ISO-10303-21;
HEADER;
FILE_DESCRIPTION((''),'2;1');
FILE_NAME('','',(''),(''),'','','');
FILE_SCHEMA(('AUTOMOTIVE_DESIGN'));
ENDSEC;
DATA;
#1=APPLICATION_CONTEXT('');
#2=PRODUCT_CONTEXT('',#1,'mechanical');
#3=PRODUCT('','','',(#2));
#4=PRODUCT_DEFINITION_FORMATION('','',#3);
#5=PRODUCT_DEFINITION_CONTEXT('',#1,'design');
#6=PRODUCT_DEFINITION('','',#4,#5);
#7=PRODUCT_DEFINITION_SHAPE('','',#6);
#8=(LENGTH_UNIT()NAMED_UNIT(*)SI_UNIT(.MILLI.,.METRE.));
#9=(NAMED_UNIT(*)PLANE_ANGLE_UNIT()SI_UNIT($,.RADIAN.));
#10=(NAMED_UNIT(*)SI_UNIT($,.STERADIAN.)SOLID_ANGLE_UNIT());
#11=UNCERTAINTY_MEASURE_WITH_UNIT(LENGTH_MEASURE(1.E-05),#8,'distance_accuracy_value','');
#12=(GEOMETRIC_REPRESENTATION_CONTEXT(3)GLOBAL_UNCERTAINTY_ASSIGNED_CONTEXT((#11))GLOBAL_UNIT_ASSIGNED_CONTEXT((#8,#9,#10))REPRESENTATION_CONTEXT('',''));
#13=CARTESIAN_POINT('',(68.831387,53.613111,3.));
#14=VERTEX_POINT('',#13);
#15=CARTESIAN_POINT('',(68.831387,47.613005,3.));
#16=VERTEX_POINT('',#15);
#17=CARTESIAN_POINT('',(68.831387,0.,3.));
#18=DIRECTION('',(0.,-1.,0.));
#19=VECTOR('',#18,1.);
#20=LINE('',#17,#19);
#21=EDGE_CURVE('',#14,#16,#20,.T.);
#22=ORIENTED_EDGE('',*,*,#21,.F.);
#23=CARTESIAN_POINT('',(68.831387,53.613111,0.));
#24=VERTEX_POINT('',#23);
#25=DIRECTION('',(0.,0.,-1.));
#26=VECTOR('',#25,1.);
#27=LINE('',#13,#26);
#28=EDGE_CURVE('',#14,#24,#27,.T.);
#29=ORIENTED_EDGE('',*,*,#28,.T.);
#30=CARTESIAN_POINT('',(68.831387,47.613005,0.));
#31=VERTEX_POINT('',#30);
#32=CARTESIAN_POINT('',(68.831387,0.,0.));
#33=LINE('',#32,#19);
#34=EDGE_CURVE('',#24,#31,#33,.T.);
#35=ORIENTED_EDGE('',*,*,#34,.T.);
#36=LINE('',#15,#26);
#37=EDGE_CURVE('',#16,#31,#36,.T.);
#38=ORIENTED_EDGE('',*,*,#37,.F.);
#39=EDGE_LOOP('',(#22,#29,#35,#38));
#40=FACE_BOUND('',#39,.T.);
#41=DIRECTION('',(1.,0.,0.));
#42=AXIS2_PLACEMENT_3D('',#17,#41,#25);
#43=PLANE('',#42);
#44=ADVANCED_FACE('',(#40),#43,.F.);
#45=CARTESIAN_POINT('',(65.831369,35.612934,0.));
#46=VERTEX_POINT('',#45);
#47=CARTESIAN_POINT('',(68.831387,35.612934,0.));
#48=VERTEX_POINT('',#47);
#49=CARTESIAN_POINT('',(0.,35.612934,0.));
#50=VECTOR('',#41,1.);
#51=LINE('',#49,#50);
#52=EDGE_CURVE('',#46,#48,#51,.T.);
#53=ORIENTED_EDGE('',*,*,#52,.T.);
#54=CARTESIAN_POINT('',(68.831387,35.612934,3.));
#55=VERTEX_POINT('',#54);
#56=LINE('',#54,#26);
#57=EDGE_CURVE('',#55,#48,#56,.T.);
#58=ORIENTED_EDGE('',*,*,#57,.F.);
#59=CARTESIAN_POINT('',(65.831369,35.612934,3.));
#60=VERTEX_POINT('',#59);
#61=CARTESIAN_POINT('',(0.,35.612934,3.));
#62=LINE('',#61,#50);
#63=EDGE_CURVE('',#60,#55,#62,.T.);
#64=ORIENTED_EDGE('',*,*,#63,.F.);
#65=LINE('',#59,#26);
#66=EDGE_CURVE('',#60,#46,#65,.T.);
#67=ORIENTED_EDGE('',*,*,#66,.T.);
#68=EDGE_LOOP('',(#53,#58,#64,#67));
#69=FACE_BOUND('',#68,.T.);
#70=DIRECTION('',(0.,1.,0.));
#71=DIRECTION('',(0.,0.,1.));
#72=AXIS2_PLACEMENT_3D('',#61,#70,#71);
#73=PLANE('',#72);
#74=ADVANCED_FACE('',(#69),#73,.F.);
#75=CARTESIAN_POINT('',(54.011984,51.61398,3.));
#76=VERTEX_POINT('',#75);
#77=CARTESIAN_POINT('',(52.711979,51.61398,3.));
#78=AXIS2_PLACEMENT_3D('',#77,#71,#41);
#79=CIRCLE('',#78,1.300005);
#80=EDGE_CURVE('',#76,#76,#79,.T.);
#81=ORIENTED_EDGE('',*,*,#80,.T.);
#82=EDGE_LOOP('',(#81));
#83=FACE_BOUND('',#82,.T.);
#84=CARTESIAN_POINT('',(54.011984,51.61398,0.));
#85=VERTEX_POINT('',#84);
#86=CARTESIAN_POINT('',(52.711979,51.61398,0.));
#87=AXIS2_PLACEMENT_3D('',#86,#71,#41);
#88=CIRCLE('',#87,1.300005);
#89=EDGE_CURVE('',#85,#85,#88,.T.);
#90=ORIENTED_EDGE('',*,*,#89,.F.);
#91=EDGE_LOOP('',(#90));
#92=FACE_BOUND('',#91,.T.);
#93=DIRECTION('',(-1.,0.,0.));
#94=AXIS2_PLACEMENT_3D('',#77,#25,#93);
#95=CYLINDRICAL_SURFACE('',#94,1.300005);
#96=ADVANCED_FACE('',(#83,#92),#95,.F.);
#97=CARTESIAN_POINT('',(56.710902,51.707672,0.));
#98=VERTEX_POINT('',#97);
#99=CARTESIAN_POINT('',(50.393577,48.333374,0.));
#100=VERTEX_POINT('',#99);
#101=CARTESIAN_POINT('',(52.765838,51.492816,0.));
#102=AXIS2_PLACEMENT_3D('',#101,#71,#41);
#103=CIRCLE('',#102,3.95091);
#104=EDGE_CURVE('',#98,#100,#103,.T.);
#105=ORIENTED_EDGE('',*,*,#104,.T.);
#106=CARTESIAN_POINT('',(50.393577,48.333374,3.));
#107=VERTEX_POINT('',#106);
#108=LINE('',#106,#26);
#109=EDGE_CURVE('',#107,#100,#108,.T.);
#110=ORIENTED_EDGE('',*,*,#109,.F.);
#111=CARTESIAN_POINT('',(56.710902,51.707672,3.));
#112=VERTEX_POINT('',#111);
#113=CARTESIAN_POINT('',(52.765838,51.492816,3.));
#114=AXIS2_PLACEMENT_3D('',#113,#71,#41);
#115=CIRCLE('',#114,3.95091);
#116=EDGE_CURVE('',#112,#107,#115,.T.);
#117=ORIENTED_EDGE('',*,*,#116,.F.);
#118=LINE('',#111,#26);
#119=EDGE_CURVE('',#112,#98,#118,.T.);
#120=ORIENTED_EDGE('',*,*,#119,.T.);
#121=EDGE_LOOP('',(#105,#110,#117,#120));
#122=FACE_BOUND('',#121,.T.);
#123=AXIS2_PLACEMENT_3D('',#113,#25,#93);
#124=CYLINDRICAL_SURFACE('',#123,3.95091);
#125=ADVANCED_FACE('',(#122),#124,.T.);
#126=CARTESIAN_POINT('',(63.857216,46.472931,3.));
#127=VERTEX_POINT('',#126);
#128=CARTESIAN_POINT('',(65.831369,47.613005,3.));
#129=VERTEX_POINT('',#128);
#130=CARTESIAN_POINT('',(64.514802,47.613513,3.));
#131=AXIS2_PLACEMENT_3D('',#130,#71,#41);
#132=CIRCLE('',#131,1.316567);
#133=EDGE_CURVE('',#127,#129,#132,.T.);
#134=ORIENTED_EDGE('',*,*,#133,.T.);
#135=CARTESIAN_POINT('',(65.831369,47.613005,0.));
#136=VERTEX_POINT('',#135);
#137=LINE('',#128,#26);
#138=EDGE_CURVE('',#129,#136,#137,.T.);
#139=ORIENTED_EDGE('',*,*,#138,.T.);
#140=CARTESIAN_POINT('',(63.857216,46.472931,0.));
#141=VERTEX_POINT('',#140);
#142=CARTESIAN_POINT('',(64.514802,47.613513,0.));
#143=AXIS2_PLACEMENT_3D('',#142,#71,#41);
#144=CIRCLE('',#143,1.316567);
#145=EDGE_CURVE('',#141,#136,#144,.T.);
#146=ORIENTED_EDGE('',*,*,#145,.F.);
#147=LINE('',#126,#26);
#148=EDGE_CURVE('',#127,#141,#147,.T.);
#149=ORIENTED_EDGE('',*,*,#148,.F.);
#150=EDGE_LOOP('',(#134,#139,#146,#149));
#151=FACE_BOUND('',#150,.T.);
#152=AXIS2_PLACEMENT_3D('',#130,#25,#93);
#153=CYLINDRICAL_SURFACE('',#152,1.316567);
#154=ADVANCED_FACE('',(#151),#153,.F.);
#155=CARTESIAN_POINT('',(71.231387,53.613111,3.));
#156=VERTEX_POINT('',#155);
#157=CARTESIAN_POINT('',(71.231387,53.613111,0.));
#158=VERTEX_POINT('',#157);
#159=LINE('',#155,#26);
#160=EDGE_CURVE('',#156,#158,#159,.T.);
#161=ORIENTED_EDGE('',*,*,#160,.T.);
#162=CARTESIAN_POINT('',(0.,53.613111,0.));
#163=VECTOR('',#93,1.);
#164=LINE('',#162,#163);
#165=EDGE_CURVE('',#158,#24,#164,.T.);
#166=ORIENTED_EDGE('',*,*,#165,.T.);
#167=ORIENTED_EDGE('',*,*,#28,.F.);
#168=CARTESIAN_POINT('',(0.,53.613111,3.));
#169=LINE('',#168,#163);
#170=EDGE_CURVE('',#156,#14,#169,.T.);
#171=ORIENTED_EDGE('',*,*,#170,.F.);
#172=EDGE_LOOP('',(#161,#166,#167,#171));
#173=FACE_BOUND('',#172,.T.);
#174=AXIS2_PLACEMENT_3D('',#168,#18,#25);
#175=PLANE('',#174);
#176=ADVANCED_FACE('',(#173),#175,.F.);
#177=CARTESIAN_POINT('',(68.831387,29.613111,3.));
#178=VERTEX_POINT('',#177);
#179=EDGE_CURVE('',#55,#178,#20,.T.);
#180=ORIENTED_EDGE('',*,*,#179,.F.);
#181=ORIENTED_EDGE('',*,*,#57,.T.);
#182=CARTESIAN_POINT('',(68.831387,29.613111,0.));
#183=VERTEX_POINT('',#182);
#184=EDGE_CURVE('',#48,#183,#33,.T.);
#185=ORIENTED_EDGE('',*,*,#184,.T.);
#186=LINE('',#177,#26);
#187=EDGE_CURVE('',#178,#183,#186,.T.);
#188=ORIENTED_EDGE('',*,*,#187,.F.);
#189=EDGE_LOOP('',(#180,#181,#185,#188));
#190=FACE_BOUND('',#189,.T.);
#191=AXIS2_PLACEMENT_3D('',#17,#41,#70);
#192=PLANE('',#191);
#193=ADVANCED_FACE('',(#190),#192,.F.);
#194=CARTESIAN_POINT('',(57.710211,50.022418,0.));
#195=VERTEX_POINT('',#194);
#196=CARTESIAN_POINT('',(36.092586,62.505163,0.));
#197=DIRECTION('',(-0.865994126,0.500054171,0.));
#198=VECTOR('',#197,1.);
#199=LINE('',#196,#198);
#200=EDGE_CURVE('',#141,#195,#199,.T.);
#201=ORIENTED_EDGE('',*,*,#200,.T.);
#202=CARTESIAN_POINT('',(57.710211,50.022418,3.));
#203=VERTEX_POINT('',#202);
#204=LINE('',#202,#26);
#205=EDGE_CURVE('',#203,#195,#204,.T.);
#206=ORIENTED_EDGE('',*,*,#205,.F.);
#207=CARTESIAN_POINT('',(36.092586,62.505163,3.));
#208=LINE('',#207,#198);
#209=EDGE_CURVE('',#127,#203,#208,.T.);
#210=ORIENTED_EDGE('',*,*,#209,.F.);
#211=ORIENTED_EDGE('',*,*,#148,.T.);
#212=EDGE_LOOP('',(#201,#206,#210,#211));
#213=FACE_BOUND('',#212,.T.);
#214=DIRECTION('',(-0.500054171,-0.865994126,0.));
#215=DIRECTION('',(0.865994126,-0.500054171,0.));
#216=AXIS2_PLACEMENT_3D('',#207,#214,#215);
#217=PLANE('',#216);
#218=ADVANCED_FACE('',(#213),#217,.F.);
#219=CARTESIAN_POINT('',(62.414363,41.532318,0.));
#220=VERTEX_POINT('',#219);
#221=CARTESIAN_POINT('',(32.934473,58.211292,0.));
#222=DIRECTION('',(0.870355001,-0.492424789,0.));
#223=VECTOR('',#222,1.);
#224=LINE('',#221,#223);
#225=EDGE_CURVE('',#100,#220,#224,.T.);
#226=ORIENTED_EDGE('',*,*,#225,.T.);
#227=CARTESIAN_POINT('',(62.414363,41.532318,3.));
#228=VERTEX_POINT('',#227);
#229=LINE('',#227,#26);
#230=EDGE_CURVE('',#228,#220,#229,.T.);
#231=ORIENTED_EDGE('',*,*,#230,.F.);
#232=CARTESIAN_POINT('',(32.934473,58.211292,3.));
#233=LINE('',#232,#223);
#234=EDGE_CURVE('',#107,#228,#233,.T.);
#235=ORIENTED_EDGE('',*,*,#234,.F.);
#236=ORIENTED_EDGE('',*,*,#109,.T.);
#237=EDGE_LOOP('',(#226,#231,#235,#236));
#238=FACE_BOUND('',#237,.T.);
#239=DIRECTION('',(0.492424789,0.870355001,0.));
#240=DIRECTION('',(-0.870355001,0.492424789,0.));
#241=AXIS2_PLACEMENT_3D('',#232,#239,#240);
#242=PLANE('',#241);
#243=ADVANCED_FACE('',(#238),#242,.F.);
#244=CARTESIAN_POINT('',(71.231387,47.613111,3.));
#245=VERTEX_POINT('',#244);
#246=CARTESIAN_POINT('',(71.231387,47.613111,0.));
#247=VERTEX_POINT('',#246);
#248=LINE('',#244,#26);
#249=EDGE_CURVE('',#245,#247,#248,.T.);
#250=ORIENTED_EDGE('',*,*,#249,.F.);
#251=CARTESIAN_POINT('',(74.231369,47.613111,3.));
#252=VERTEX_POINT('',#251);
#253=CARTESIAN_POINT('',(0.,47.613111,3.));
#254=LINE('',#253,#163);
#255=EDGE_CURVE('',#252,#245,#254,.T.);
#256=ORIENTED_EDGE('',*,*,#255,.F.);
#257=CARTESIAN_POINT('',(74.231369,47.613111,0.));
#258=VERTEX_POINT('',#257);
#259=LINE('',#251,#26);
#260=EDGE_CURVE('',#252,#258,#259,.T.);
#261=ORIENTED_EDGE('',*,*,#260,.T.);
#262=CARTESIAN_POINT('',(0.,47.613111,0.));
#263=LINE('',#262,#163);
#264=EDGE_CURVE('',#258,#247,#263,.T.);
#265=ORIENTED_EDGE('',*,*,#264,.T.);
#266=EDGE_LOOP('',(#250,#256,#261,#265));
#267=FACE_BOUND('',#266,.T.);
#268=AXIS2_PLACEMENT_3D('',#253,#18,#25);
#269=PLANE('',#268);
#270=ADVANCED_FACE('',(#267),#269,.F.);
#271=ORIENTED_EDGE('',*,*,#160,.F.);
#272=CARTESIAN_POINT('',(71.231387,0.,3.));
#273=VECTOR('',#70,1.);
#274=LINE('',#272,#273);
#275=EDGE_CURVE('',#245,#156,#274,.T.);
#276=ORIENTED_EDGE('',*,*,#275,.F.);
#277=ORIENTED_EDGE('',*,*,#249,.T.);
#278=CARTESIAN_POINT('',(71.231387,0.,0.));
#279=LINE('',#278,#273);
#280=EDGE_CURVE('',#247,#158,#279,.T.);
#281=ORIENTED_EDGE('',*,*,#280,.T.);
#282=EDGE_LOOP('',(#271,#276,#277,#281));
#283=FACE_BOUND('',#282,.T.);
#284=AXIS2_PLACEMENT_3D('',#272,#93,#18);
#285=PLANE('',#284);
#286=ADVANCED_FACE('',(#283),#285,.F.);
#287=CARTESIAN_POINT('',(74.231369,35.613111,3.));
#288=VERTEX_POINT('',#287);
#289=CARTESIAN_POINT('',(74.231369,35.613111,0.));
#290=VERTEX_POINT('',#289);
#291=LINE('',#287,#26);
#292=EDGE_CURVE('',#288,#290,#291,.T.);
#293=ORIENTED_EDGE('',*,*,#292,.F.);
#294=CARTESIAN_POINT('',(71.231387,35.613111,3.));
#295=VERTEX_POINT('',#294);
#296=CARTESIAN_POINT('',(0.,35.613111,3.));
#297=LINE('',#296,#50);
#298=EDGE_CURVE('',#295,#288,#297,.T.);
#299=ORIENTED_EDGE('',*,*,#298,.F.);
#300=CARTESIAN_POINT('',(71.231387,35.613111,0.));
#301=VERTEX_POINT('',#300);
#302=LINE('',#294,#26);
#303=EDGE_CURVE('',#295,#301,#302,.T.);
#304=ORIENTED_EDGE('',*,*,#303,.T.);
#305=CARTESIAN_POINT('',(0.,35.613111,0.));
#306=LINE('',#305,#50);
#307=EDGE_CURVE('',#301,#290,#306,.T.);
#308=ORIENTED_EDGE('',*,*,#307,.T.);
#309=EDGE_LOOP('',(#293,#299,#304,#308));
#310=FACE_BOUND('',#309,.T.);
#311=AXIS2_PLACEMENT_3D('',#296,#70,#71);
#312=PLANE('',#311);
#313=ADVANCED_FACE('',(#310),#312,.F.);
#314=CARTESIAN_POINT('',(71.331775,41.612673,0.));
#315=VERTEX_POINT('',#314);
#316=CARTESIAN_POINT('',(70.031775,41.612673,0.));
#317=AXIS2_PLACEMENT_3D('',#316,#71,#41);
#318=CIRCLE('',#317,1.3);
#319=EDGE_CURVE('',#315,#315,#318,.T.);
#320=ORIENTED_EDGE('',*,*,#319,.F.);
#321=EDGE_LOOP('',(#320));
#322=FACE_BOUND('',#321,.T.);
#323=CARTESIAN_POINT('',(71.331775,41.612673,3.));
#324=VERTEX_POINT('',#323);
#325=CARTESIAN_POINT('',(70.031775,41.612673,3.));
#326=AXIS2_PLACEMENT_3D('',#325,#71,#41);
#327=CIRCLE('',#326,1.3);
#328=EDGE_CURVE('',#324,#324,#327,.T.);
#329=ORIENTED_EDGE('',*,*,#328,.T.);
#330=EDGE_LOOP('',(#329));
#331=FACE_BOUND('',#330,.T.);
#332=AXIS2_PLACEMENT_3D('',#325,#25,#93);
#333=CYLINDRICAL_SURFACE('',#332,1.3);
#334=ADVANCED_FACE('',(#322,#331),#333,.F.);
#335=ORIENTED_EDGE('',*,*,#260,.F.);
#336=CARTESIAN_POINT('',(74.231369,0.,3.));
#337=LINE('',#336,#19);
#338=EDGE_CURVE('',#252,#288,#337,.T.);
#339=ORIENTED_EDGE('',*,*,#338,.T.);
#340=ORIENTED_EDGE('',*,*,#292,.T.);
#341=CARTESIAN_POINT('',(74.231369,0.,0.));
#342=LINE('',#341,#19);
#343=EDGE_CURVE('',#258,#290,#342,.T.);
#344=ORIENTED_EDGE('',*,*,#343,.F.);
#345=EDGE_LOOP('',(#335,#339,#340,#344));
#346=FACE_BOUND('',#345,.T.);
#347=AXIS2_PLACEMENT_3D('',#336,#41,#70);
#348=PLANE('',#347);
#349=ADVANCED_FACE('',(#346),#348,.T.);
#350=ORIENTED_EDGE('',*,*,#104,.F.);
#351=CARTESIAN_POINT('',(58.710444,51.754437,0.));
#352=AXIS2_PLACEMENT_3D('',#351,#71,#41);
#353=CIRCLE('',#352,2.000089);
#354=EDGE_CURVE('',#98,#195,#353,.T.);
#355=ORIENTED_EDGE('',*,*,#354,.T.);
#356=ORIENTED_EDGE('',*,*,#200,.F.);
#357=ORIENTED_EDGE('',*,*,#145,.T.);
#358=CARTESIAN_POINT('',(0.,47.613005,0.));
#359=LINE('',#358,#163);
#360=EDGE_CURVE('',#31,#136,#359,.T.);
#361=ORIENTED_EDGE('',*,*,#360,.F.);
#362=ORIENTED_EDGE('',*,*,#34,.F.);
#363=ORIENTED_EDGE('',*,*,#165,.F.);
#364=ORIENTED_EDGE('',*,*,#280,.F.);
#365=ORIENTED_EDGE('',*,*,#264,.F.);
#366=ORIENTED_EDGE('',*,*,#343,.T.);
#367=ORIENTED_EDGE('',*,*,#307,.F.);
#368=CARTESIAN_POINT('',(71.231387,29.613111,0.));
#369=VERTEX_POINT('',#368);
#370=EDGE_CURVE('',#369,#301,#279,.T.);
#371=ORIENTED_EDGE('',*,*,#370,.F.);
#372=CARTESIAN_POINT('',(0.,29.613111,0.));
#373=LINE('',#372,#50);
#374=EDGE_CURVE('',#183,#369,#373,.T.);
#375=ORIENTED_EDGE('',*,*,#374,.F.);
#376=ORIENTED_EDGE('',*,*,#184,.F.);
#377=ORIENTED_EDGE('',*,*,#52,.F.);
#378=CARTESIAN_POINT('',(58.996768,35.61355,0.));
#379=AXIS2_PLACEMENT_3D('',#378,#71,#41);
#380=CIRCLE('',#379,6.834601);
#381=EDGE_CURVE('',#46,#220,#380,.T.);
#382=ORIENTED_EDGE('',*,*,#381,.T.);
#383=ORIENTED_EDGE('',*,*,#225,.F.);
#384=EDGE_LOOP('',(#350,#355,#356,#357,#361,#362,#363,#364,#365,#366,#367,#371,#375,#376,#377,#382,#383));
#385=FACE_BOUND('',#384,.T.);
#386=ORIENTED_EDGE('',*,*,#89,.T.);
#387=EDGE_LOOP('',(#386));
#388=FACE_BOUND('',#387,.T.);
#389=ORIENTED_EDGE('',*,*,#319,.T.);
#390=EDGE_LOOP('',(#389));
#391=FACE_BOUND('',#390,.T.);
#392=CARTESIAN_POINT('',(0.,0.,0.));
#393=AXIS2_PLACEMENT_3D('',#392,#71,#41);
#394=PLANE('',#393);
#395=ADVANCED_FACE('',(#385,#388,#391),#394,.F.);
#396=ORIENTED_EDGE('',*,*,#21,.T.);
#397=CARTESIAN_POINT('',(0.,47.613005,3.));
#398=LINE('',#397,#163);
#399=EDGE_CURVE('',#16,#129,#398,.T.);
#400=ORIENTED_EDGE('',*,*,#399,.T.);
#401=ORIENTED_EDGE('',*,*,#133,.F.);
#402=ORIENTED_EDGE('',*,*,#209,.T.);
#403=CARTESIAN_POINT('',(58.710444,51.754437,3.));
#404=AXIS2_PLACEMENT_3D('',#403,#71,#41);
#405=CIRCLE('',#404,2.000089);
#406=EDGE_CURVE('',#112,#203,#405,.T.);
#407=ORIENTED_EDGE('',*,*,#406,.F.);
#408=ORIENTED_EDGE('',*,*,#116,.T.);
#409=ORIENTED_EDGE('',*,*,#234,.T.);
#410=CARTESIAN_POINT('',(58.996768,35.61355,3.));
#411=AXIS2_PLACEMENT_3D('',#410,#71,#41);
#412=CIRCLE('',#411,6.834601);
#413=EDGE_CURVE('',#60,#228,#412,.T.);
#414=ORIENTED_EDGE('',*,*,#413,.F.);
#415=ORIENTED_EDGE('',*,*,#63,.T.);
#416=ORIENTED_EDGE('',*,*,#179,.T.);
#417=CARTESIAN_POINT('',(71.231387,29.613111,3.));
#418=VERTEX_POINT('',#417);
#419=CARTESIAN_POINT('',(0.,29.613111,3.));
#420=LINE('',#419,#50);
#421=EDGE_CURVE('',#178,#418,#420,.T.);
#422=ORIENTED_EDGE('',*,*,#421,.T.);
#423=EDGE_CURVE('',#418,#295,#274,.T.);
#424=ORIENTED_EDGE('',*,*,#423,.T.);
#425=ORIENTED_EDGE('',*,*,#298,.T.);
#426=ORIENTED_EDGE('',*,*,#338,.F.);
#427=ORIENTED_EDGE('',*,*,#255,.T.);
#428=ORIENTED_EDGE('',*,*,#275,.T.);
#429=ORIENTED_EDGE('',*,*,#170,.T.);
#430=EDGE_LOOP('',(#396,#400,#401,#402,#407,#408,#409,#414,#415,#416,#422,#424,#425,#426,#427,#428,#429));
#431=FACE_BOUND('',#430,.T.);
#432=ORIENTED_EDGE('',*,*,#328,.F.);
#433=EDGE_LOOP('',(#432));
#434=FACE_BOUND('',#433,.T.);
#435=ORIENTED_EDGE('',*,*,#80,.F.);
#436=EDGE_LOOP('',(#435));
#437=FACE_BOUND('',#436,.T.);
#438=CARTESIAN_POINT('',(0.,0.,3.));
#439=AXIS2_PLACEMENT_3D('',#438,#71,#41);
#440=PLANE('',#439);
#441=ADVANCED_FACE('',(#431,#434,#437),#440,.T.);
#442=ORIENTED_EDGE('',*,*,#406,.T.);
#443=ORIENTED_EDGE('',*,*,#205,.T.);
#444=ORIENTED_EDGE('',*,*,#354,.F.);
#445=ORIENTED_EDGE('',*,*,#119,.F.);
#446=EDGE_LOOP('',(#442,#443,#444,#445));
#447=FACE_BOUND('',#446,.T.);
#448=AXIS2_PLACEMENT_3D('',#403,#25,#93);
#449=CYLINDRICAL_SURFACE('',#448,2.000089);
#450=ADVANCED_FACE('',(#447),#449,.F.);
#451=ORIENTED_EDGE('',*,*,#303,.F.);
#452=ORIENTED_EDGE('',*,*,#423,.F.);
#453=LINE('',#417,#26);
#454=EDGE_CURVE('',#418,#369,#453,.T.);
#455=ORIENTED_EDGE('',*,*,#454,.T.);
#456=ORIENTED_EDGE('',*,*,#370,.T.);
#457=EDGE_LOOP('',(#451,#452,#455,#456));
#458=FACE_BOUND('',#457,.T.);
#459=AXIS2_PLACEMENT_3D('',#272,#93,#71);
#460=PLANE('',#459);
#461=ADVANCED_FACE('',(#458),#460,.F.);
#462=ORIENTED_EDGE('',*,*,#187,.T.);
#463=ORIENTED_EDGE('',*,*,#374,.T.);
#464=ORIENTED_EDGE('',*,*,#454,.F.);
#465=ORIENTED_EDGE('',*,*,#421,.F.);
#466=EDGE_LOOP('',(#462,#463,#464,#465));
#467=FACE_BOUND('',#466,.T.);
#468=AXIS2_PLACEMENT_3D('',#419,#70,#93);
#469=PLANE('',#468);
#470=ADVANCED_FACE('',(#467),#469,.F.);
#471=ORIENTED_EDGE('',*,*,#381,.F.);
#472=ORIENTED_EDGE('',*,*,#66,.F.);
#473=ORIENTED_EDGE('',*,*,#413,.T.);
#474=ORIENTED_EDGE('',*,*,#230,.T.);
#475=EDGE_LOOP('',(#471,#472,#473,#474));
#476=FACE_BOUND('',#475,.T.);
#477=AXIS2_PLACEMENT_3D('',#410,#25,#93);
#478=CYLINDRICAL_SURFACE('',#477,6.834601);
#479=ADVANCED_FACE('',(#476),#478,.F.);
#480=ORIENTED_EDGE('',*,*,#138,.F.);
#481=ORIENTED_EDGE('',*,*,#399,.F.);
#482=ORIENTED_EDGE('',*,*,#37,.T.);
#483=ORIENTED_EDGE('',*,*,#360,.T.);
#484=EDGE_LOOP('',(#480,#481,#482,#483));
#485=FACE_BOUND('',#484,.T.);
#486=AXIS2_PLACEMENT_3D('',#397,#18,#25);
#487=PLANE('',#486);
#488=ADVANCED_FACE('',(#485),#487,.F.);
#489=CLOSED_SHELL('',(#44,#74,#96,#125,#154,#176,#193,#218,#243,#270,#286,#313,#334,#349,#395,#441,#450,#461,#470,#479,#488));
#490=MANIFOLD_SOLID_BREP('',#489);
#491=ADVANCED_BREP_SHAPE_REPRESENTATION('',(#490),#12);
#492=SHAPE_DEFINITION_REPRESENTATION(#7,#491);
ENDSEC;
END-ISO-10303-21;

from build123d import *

# Parameters (mm, degrees)
MODEL_R             = 1.300004804
MODEL_R_2           = 1.3
BOSS_EXTRUDE1_DEPTH = 3


with BuildPart() as part:
    # Model → Boss-Extrude1 (new body)
    with BuildSketch(Plane.XY):
        with BuildLine():
            ThreePointArc((63.8572156, 46.472930832), (65.173213816, 46.473407151), (65.83136885, 47.613005099))
            Line((65.83136885, 47.613005099), (68.83138654, 47.613005099))
            Line((68.83138654, 47.613005099), (68.83138654, 53.61311115))
            Line((68.83138654, 53.61311115), (71.231386535, 53.61311115))
            Line((71.231386535, 53.61311115), (71.231386535, 47.61311115))
            Line((71.231386535, 47.61311115), (74.231368849, 47.61311115))
            Line((74.231368849, 47.61311115), (74.231368849, 35.61311115))
            Line((74.231368849, 35.61311115), (71.231386533, 35.61311115))
            Line((71.231386533, 35.61311115), (71.231386533, 29.61311115))
            Line((71.231386533, 29.61311115), (68.831386538, 29.61311115))
            Line((68.831386538, 29.61311115), (68.831386538, 35.61293443))
            Line((68.831386538, 35.61293443), (65.831368849, 35.61293443))
            ThreePointArc((65.831368849, 35.61293443), (64.915944961, 39.030436678), (62.414363078, 41.532318088))
            Line((62.414363078, 41.532318088), (50.393576956, 48.333374046))
            ThreePointArc((50.393576956, 48.333374046), (50.904413755, 54.977754044), (56.710901802, 51.707672034))
            ThreePointArc((56.710901802, 51.707672034), (56.990071165, 50.734303435), (57.710211056, 50.022418261))
            Line((57.710211056, 50.022418261), (63.8572156, 46.472930832))
        make_face()
        with Locations((52.711979414, 51.613979963)):
            Circle(MODEL_R, mode=Mode.SUBTRACT)
        with Locations((70.031775439, 41.612672771)):
            Circle(MODEL_R_2, mode=Mode.SUBTRACT)
    extrude(amount=BOSS_EXTRUDE1_DEPTH)


solid = part.part
